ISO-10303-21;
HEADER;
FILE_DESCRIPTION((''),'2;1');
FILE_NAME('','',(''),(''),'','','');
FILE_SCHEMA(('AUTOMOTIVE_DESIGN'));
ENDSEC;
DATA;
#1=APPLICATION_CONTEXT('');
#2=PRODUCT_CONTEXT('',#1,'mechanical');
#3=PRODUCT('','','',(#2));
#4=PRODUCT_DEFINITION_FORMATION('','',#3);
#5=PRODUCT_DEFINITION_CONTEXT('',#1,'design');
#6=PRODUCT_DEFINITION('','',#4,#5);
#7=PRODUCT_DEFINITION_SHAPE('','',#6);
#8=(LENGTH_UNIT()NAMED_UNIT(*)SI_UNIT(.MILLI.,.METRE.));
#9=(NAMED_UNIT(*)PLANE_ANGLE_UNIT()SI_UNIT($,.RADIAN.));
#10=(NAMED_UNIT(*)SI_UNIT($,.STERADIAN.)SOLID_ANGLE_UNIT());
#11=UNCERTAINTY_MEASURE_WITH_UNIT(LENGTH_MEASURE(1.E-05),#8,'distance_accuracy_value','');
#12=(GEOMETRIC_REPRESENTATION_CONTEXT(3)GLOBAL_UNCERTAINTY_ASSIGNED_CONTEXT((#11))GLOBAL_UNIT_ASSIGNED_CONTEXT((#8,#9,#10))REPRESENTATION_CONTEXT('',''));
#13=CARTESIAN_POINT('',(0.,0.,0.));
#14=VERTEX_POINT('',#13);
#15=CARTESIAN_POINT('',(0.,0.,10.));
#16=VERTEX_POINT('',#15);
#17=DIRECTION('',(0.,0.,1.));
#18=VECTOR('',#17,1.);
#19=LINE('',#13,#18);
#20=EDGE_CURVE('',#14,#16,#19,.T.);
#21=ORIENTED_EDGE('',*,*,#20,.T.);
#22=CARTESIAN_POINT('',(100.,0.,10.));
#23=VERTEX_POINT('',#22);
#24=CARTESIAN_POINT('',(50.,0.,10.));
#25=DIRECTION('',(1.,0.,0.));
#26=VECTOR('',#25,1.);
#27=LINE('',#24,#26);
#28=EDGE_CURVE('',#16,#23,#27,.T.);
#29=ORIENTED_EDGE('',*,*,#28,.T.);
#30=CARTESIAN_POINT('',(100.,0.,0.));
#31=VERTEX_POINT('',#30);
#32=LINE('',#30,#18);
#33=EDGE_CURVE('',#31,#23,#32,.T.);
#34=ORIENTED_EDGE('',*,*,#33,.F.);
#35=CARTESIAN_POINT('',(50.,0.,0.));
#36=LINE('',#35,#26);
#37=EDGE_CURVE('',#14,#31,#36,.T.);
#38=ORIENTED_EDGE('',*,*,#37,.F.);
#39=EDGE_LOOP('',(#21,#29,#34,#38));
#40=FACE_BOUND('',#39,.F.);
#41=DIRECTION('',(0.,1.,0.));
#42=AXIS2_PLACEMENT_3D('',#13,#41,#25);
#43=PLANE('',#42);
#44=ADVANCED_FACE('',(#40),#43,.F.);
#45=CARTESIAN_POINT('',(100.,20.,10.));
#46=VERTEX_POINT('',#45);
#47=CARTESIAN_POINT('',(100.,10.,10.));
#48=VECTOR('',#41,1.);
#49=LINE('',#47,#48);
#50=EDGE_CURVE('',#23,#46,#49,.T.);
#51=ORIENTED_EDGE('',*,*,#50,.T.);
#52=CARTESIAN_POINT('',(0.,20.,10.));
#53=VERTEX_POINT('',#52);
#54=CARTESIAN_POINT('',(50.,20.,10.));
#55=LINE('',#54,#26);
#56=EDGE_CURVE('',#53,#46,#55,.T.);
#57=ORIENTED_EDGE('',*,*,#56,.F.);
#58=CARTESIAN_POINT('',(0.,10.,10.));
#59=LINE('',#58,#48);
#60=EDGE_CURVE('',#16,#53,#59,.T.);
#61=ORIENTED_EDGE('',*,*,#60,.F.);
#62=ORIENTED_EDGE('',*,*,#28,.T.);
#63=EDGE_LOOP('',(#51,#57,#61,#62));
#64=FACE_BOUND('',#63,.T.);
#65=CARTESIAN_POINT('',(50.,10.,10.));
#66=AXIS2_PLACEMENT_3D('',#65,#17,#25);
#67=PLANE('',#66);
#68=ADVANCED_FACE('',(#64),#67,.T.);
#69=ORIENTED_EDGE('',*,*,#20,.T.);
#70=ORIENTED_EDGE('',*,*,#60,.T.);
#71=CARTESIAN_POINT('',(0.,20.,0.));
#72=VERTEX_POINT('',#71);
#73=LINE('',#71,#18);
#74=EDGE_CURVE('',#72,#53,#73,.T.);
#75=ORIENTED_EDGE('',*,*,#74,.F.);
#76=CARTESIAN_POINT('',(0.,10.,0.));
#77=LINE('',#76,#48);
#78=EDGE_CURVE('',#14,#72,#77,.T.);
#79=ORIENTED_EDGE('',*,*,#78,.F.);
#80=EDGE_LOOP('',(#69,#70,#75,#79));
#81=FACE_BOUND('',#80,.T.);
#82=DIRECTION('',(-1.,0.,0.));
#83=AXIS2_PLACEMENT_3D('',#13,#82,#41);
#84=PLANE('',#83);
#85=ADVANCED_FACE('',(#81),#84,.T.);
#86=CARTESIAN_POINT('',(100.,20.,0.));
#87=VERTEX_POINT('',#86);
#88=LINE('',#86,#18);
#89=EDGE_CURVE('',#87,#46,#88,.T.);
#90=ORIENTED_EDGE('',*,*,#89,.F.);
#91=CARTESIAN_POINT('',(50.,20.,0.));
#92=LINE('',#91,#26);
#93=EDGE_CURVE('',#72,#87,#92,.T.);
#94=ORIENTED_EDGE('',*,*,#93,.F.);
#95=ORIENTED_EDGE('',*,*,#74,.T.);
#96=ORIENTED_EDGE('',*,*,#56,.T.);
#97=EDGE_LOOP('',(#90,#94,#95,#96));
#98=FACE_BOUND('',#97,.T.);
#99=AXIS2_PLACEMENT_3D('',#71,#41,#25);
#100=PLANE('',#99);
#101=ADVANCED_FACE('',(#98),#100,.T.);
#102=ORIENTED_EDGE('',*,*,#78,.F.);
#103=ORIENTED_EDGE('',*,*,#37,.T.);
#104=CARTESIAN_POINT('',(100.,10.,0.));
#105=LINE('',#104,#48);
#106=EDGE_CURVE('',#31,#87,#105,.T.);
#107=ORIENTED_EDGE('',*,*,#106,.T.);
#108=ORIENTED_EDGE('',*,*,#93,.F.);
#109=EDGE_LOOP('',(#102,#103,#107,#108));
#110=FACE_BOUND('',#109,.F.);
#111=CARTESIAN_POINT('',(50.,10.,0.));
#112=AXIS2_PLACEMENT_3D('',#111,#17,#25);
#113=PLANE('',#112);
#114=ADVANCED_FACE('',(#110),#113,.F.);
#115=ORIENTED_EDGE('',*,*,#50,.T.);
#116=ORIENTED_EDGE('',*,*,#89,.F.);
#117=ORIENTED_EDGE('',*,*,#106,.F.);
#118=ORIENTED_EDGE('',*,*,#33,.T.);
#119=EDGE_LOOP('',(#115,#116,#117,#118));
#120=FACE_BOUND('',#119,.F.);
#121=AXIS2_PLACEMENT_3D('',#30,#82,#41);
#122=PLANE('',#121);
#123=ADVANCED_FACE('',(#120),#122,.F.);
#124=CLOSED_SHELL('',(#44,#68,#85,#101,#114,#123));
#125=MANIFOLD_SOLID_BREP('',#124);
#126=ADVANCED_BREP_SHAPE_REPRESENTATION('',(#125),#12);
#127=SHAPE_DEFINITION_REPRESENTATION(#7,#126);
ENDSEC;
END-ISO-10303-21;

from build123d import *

# Parameters (mm, degrees)
BEAM_W     = 100
BEAM_H     = 20
BEAM_DEPTH = 10


with BuildPart() as part:
    # Beam → Beam (new body)
    with BuildSketch(Plane.XY):
        with Locations((50, 10)):
            Rectangle(BEAM_W, BEAM_H)
    extrude(amount=BEAM_DEPTH)


solid = part.part
